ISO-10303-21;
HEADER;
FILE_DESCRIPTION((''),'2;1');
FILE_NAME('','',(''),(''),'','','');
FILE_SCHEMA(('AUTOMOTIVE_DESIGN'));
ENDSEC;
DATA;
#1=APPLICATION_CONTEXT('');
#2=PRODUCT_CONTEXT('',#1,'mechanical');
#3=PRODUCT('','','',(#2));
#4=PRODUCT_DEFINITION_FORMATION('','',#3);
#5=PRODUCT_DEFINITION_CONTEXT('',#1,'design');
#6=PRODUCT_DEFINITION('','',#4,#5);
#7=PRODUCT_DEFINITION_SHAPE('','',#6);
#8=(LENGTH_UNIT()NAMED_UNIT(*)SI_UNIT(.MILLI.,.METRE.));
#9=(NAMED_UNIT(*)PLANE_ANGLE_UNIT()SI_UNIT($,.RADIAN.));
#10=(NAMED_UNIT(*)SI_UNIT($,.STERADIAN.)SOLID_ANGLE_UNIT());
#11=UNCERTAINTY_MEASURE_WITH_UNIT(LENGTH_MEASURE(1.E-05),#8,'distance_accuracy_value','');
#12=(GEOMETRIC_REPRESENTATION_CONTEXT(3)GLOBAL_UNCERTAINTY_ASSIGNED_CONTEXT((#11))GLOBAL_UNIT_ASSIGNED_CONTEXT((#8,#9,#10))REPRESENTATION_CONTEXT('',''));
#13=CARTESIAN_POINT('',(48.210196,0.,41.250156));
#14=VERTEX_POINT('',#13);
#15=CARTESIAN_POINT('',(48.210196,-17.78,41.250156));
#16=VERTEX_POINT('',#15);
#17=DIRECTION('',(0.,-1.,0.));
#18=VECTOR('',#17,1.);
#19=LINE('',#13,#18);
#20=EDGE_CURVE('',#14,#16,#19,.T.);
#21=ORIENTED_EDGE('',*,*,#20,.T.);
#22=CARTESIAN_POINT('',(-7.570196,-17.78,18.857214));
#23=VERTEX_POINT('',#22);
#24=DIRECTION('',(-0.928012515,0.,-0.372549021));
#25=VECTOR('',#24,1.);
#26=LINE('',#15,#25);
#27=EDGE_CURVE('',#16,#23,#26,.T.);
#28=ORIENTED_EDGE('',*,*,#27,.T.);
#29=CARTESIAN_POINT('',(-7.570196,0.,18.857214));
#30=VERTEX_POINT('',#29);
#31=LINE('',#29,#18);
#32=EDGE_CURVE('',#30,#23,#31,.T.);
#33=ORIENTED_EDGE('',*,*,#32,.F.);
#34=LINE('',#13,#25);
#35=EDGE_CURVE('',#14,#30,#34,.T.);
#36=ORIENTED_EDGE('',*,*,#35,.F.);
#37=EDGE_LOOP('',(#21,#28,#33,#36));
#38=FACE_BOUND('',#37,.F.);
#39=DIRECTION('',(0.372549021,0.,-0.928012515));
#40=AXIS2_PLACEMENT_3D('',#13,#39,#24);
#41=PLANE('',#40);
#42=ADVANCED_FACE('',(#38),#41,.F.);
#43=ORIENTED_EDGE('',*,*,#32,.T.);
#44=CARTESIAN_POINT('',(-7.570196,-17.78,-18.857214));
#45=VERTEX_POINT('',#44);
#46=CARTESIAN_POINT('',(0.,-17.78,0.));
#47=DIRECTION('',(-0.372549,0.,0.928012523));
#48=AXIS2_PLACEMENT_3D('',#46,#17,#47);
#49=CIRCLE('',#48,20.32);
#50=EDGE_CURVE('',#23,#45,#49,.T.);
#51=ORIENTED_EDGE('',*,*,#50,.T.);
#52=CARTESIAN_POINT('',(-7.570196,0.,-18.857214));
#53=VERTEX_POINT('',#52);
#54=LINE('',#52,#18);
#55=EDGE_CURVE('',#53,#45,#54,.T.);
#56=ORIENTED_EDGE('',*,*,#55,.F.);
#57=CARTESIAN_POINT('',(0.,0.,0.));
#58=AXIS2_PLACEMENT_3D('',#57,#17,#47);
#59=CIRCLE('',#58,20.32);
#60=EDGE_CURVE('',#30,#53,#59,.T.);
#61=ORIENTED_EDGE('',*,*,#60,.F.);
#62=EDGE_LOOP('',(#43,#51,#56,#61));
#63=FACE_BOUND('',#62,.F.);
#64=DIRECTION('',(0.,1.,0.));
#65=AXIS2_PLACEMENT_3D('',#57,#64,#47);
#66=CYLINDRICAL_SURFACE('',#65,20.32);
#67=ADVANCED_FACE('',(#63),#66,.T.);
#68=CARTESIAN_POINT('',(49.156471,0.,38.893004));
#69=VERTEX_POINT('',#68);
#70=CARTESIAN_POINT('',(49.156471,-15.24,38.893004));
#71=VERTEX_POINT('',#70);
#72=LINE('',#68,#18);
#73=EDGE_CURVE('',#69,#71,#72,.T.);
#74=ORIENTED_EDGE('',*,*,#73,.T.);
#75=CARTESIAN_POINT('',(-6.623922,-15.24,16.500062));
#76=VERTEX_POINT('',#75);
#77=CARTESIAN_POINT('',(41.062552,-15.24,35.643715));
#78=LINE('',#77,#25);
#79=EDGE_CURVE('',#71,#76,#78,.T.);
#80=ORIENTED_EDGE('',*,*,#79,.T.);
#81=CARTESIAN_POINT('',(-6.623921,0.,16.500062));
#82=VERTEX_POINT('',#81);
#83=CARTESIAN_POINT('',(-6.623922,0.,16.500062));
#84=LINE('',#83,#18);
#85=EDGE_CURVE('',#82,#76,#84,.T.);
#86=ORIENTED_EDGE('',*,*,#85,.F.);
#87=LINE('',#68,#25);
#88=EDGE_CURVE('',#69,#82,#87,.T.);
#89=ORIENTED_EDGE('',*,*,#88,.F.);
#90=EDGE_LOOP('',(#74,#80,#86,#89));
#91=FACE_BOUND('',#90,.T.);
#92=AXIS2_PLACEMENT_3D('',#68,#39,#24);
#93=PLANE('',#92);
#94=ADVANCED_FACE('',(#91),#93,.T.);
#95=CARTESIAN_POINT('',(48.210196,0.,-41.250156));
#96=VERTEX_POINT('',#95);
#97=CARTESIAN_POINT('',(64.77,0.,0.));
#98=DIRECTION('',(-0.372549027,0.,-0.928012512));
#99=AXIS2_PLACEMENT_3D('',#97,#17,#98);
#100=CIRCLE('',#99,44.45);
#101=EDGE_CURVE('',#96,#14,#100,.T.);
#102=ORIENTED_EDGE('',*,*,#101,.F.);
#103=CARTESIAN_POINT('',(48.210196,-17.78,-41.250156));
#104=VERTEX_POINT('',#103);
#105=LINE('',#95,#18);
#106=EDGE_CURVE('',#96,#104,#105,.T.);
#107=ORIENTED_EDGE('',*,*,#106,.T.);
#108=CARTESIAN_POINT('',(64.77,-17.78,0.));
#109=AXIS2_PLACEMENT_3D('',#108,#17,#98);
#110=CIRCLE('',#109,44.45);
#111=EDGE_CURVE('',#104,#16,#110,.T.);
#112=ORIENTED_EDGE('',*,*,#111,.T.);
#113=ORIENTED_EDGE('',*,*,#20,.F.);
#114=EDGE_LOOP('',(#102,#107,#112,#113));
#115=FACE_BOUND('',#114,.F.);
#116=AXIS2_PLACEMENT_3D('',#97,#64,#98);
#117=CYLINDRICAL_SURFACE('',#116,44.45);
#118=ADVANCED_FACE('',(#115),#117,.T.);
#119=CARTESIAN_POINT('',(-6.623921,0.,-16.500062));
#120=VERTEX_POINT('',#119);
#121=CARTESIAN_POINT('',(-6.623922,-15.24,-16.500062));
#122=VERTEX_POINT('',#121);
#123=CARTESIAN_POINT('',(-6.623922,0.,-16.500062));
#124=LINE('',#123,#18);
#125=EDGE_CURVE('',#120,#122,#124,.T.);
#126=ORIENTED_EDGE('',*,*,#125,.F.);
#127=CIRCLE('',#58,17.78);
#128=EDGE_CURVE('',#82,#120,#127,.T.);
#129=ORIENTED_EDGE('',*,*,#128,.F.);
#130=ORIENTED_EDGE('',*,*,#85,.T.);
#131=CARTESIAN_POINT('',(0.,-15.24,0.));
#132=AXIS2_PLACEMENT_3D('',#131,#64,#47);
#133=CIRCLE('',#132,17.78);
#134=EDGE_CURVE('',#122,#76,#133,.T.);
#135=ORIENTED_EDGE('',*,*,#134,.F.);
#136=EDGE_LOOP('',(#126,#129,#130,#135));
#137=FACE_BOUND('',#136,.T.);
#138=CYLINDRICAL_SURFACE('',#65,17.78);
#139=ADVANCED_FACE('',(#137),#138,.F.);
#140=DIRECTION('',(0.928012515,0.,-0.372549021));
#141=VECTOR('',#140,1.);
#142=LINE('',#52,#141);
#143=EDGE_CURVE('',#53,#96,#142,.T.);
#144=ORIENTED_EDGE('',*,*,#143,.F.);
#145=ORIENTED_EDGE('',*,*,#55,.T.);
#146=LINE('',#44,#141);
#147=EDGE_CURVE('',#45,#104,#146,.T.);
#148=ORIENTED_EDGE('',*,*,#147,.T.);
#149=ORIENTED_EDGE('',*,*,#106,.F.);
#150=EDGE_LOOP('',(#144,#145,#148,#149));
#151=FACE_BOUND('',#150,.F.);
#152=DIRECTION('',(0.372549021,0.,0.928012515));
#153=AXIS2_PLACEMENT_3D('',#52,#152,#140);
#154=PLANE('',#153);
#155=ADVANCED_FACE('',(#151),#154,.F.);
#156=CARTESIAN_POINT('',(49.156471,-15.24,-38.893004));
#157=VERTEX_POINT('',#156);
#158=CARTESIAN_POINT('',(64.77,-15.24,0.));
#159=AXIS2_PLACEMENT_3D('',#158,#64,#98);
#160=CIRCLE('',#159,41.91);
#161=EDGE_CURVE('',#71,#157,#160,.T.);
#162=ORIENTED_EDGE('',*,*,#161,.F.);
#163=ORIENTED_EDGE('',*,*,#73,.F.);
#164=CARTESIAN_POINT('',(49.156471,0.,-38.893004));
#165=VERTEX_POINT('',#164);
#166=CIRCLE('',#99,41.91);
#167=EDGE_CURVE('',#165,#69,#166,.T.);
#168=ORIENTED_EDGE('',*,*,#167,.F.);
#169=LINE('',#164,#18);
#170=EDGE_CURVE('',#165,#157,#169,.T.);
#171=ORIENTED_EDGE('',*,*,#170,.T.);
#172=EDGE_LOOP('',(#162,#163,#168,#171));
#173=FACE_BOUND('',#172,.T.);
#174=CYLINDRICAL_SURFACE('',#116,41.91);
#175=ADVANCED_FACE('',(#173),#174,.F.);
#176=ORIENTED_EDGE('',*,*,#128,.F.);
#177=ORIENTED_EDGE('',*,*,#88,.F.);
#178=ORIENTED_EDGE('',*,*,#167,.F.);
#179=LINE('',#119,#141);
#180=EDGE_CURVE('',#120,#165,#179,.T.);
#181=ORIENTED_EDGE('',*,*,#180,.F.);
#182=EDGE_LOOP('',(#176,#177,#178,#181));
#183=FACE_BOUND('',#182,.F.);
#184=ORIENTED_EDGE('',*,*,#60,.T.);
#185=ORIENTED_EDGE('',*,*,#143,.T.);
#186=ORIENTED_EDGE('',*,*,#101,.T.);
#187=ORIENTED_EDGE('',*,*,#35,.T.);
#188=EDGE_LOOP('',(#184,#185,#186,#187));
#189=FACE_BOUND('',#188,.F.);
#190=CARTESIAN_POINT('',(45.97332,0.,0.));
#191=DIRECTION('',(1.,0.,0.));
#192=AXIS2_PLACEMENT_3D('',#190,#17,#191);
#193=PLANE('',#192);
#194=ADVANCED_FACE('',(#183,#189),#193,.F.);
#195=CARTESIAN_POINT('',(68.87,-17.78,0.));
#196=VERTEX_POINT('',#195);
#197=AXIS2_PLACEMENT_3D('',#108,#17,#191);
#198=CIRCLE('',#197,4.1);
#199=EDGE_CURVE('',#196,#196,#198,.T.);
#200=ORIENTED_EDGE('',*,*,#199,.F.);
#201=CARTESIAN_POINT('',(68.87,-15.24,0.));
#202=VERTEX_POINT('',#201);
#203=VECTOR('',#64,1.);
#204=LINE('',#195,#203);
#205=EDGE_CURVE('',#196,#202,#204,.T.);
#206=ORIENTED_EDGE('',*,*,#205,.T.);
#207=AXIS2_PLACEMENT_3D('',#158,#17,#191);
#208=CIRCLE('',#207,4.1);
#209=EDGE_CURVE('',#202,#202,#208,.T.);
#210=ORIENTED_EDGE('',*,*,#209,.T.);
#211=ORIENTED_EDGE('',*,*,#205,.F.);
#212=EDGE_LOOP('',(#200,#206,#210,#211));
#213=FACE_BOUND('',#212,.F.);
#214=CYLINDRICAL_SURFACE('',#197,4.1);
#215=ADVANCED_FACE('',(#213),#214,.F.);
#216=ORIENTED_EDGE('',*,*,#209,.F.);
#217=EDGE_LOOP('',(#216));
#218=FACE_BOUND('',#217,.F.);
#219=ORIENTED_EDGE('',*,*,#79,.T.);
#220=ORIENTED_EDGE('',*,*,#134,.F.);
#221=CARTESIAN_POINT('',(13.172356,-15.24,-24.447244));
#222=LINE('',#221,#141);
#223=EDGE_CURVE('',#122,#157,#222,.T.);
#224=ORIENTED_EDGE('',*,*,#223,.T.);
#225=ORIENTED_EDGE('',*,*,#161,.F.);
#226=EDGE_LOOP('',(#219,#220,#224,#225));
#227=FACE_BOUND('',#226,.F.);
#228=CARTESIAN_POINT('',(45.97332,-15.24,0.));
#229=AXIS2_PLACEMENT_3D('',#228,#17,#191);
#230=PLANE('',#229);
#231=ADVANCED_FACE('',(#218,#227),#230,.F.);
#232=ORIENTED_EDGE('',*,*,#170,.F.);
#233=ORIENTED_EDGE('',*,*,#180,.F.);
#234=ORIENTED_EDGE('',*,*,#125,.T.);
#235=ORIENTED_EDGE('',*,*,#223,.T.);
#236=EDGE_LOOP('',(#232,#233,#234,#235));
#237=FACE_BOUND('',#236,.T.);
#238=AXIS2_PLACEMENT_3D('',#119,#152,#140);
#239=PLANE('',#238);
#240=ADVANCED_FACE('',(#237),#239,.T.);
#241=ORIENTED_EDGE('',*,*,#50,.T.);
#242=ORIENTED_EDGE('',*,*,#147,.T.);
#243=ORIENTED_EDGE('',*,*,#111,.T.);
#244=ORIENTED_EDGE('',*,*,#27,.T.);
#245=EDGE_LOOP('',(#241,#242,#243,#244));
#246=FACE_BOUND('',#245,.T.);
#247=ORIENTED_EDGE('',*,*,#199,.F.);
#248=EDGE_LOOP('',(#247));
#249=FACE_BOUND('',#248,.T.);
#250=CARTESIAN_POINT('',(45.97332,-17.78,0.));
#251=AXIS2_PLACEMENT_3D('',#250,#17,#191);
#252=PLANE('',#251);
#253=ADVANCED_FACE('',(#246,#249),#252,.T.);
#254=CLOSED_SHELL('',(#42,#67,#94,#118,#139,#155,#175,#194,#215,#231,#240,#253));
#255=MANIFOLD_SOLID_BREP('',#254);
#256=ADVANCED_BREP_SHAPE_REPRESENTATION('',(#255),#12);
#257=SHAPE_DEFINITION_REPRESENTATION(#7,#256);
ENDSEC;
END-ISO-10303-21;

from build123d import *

# Parameters (mm, degrees)
F1_DEPTH = 17.78
F2_T     = -2.54
F3_R     = 4.1
F4_DEPTH = 25.4


with BuildPart() as f1:
    # F0 (on Front) → F1 (new body)
    with BuildSketch(Plane.XZ):
        with BuildLine():
            Line((48.210196, 41.250156), (-7.570196, 18.857214))
            ThreePointArc((-7.570196, 18.857214), (-20.32, 0), (-7.570196, -18.857214))
            Line((-7.570196, -18.857214), (48.210196, -41.250156))
            ThreePointArc((48.210196, -41.250156), (109.22, 0), (48.210196, 41.250156))
        make_face()
    extrude(amount=F1_DEPTH)

    # F2
    f2_openings = [f1.faces().sort_by_distance(p)[0] for p in [
        (50.495469, 0, 0),
    ]]
    offset(amount=F2_T, openings=f2_openings)

    # F3 (on face) → F4 (cut)
    with BuildSketch(Plane.XZ.offset(17.78)):
        with Locations((64.77, 0)):
            Circle(F3_R)
    extrude(amount=-F4_DEPTH, mode=Mode.SUBTRACT)


solid = f1.part
